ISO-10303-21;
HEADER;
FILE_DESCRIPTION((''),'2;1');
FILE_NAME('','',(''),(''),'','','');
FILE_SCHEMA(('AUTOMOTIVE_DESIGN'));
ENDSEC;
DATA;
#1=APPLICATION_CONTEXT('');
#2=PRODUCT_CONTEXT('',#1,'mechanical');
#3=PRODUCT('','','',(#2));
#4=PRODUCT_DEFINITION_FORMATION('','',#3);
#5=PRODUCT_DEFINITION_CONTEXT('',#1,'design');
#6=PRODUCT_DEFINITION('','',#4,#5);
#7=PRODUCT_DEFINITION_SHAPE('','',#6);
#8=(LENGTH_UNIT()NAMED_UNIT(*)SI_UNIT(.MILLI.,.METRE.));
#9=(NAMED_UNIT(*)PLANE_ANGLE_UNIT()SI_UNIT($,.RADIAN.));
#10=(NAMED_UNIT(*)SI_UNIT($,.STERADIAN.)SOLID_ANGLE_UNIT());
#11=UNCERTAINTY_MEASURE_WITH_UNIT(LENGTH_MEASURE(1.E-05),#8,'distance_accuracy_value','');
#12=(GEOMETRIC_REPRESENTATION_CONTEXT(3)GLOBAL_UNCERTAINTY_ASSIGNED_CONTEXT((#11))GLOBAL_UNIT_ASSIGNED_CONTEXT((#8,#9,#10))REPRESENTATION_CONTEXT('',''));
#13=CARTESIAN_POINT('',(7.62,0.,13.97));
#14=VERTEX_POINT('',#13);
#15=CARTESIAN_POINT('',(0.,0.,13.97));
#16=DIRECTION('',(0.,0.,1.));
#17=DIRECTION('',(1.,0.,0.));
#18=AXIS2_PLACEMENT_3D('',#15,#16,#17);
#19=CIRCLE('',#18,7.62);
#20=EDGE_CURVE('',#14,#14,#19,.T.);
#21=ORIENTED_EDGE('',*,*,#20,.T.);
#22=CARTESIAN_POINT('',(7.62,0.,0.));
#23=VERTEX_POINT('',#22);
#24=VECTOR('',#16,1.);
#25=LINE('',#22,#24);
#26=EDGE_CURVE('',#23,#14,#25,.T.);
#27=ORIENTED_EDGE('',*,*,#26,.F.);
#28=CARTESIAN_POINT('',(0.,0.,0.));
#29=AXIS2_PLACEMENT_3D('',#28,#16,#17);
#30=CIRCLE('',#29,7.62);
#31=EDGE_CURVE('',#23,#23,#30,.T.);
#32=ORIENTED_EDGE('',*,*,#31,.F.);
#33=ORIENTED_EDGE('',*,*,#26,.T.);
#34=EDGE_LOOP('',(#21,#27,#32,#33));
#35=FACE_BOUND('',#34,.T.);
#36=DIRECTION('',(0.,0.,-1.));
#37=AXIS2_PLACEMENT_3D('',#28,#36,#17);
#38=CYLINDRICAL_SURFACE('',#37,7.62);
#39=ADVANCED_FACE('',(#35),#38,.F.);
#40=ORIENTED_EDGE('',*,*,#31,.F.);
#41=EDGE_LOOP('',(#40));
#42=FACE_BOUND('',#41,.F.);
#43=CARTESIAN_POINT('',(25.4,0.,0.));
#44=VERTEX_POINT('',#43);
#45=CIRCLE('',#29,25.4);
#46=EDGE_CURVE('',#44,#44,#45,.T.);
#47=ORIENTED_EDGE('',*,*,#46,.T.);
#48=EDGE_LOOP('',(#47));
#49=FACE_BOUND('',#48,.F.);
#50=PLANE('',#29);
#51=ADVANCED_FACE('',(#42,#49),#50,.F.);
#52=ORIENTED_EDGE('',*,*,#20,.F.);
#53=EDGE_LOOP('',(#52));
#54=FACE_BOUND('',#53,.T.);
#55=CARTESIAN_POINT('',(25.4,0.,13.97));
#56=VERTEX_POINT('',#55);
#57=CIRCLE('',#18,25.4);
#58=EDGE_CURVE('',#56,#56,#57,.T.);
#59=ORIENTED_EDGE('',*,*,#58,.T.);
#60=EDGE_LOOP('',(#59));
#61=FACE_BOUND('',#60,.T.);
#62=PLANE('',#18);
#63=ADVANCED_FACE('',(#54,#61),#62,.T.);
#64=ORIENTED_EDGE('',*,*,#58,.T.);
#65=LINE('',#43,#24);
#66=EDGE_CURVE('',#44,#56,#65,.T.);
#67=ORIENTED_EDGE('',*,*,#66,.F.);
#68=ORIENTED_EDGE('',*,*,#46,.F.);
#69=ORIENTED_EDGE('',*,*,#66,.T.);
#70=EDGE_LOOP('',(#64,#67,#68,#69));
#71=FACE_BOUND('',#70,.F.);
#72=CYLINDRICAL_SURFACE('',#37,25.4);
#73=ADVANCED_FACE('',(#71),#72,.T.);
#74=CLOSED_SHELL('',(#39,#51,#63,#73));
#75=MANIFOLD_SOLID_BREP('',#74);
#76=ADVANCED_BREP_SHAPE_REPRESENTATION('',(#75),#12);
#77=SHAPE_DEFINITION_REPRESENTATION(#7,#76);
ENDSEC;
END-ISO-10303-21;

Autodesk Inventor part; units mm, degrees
ref_plane "YZ Plane" through (0, 0, 0) normal (1, 0, 0) x (0, 1, 0)
ref_plane "XZ Plane" through (0, 0, 0) normal (0, 1, 0) x (-1, 0, 0)
ref_plane "XY Plane" through (0, 0, 0) normal (0, 0, 1) x (1, 0, 0)
sketch "Sketch1" plane through (0, 0, 0) normal (0, 0, 1) x (1, 0, 0)
  circle A0 centre (0, 0) radius 7.62
  circle A1 centre (0, 0) radius 25.4
  dimension "d0" = 15.24
  dimension "d1" = 50.8
extrude "Extrusion1" add sketch "Sketch1" along normal blind 13.97
properties part number "OutSpacer"
